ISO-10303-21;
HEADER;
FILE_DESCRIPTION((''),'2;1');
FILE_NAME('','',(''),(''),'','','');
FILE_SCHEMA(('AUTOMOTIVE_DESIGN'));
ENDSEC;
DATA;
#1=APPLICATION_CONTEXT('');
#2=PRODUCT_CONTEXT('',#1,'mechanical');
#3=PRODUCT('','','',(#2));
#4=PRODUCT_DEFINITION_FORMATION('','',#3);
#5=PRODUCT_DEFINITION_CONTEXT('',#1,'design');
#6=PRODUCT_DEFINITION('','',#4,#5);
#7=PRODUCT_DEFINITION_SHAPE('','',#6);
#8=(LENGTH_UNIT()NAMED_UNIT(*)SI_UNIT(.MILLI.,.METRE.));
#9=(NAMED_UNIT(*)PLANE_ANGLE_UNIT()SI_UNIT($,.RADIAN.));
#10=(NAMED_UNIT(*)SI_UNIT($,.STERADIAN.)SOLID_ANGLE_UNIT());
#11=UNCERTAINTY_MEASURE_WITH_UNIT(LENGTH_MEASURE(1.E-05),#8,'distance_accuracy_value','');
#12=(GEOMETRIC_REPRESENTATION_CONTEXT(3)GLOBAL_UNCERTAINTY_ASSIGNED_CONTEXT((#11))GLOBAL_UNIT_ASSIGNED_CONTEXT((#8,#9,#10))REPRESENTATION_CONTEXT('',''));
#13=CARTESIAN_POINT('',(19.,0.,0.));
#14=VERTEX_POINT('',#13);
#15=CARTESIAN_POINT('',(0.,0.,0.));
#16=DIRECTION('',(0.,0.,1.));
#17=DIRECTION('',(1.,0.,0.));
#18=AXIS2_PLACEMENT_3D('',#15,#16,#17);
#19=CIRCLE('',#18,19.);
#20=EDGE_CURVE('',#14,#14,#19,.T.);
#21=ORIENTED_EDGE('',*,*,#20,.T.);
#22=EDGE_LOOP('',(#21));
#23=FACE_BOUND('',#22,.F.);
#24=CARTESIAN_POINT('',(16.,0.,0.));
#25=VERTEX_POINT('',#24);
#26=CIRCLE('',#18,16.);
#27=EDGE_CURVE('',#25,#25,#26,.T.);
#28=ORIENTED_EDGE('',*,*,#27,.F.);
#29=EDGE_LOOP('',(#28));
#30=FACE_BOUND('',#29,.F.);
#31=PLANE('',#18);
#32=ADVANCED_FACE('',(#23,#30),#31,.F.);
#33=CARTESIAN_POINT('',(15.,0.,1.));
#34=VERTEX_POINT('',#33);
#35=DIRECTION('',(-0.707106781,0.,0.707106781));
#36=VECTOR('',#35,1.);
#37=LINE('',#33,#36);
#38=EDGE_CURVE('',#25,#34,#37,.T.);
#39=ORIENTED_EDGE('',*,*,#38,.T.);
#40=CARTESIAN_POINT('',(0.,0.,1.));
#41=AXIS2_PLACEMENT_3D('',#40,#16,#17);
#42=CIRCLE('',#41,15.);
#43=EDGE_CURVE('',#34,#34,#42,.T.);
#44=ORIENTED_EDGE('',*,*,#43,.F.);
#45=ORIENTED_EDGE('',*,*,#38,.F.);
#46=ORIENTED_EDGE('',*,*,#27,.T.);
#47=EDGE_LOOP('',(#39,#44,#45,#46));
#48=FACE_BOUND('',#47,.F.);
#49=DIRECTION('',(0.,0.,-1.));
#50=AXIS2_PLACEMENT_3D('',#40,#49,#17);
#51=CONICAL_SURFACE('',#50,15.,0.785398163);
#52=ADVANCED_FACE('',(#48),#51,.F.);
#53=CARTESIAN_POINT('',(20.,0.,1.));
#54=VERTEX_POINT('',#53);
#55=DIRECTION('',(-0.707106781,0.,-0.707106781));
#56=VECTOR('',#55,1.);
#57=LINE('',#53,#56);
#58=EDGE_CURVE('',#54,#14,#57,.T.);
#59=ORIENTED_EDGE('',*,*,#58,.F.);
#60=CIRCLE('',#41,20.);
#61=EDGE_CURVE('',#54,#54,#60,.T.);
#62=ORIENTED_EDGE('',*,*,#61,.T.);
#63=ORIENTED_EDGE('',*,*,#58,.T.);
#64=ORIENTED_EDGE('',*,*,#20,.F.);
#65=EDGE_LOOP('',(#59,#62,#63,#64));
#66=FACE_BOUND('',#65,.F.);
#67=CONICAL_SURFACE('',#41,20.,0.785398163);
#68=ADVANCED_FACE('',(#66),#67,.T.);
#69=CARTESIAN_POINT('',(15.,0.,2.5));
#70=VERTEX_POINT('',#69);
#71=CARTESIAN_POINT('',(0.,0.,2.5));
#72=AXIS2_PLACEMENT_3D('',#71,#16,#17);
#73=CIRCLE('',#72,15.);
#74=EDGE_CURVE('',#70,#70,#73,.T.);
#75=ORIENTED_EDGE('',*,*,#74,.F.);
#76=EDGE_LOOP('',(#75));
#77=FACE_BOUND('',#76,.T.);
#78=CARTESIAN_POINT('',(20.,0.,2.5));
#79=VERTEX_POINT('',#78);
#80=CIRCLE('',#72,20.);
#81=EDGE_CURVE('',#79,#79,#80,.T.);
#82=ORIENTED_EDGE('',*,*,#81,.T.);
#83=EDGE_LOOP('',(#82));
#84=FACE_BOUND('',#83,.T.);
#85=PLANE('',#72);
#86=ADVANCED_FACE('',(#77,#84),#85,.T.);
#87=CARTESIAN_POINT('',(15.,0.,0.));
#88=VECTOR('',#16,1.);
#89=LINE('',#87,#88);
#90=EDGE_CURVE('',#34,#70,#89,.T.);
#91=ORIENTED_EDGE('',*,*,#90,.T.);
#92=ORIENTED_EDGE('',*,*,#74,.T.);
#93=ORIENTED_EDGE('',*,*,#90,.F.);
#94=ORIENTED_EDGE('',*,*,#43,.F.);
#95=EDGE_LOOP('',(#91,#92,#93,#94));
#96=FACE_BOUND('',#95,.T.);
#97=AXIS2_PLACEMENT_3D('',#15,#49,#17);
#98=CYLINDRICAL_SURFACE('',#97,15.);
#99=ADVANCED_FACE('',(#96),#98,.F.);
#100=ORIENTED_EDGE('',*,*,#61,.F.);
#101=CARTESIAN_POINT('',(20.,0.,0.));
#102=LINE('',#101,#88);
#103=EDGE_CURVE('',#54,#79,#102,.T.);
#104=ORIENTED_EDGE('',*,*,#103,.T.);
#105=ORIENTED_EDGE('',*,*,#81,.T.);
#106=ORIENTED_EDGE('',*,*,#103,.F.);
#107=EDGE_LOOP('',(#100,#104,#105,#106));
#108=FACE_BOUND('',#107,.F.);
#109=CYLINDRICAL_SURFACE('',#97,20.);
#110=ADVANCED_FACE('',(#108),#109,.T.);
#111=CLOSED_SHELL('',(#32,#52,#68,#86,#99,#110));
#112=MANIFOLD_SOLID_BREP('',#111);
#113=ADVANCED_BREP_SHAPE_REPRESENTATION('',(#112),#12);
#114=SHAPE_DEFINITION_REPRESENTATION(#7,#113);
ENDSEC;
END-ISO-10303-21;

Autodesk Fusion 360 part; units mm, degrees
sketch "Sketch1" plane through (0, 0, 0) normal (0, 0, 1) x (1, 0, 0)
  circle A0 centre (0, 0) radius 20
  circle A1 centre (0, 0) radius 15
  dimension "d1" = 40
  dimension "d2" = 30
extrude "Extrude1" add sketch "Sketch1" along normal blind 2.5
chamfer "Chamfer1" distance 1 angle 45 1 edges at (-18.6465, -7.2323, 0)
chamfer "Chamfer2" distance 1 angle 45 1 edges at (-13.9849, 5.4242, 0)
